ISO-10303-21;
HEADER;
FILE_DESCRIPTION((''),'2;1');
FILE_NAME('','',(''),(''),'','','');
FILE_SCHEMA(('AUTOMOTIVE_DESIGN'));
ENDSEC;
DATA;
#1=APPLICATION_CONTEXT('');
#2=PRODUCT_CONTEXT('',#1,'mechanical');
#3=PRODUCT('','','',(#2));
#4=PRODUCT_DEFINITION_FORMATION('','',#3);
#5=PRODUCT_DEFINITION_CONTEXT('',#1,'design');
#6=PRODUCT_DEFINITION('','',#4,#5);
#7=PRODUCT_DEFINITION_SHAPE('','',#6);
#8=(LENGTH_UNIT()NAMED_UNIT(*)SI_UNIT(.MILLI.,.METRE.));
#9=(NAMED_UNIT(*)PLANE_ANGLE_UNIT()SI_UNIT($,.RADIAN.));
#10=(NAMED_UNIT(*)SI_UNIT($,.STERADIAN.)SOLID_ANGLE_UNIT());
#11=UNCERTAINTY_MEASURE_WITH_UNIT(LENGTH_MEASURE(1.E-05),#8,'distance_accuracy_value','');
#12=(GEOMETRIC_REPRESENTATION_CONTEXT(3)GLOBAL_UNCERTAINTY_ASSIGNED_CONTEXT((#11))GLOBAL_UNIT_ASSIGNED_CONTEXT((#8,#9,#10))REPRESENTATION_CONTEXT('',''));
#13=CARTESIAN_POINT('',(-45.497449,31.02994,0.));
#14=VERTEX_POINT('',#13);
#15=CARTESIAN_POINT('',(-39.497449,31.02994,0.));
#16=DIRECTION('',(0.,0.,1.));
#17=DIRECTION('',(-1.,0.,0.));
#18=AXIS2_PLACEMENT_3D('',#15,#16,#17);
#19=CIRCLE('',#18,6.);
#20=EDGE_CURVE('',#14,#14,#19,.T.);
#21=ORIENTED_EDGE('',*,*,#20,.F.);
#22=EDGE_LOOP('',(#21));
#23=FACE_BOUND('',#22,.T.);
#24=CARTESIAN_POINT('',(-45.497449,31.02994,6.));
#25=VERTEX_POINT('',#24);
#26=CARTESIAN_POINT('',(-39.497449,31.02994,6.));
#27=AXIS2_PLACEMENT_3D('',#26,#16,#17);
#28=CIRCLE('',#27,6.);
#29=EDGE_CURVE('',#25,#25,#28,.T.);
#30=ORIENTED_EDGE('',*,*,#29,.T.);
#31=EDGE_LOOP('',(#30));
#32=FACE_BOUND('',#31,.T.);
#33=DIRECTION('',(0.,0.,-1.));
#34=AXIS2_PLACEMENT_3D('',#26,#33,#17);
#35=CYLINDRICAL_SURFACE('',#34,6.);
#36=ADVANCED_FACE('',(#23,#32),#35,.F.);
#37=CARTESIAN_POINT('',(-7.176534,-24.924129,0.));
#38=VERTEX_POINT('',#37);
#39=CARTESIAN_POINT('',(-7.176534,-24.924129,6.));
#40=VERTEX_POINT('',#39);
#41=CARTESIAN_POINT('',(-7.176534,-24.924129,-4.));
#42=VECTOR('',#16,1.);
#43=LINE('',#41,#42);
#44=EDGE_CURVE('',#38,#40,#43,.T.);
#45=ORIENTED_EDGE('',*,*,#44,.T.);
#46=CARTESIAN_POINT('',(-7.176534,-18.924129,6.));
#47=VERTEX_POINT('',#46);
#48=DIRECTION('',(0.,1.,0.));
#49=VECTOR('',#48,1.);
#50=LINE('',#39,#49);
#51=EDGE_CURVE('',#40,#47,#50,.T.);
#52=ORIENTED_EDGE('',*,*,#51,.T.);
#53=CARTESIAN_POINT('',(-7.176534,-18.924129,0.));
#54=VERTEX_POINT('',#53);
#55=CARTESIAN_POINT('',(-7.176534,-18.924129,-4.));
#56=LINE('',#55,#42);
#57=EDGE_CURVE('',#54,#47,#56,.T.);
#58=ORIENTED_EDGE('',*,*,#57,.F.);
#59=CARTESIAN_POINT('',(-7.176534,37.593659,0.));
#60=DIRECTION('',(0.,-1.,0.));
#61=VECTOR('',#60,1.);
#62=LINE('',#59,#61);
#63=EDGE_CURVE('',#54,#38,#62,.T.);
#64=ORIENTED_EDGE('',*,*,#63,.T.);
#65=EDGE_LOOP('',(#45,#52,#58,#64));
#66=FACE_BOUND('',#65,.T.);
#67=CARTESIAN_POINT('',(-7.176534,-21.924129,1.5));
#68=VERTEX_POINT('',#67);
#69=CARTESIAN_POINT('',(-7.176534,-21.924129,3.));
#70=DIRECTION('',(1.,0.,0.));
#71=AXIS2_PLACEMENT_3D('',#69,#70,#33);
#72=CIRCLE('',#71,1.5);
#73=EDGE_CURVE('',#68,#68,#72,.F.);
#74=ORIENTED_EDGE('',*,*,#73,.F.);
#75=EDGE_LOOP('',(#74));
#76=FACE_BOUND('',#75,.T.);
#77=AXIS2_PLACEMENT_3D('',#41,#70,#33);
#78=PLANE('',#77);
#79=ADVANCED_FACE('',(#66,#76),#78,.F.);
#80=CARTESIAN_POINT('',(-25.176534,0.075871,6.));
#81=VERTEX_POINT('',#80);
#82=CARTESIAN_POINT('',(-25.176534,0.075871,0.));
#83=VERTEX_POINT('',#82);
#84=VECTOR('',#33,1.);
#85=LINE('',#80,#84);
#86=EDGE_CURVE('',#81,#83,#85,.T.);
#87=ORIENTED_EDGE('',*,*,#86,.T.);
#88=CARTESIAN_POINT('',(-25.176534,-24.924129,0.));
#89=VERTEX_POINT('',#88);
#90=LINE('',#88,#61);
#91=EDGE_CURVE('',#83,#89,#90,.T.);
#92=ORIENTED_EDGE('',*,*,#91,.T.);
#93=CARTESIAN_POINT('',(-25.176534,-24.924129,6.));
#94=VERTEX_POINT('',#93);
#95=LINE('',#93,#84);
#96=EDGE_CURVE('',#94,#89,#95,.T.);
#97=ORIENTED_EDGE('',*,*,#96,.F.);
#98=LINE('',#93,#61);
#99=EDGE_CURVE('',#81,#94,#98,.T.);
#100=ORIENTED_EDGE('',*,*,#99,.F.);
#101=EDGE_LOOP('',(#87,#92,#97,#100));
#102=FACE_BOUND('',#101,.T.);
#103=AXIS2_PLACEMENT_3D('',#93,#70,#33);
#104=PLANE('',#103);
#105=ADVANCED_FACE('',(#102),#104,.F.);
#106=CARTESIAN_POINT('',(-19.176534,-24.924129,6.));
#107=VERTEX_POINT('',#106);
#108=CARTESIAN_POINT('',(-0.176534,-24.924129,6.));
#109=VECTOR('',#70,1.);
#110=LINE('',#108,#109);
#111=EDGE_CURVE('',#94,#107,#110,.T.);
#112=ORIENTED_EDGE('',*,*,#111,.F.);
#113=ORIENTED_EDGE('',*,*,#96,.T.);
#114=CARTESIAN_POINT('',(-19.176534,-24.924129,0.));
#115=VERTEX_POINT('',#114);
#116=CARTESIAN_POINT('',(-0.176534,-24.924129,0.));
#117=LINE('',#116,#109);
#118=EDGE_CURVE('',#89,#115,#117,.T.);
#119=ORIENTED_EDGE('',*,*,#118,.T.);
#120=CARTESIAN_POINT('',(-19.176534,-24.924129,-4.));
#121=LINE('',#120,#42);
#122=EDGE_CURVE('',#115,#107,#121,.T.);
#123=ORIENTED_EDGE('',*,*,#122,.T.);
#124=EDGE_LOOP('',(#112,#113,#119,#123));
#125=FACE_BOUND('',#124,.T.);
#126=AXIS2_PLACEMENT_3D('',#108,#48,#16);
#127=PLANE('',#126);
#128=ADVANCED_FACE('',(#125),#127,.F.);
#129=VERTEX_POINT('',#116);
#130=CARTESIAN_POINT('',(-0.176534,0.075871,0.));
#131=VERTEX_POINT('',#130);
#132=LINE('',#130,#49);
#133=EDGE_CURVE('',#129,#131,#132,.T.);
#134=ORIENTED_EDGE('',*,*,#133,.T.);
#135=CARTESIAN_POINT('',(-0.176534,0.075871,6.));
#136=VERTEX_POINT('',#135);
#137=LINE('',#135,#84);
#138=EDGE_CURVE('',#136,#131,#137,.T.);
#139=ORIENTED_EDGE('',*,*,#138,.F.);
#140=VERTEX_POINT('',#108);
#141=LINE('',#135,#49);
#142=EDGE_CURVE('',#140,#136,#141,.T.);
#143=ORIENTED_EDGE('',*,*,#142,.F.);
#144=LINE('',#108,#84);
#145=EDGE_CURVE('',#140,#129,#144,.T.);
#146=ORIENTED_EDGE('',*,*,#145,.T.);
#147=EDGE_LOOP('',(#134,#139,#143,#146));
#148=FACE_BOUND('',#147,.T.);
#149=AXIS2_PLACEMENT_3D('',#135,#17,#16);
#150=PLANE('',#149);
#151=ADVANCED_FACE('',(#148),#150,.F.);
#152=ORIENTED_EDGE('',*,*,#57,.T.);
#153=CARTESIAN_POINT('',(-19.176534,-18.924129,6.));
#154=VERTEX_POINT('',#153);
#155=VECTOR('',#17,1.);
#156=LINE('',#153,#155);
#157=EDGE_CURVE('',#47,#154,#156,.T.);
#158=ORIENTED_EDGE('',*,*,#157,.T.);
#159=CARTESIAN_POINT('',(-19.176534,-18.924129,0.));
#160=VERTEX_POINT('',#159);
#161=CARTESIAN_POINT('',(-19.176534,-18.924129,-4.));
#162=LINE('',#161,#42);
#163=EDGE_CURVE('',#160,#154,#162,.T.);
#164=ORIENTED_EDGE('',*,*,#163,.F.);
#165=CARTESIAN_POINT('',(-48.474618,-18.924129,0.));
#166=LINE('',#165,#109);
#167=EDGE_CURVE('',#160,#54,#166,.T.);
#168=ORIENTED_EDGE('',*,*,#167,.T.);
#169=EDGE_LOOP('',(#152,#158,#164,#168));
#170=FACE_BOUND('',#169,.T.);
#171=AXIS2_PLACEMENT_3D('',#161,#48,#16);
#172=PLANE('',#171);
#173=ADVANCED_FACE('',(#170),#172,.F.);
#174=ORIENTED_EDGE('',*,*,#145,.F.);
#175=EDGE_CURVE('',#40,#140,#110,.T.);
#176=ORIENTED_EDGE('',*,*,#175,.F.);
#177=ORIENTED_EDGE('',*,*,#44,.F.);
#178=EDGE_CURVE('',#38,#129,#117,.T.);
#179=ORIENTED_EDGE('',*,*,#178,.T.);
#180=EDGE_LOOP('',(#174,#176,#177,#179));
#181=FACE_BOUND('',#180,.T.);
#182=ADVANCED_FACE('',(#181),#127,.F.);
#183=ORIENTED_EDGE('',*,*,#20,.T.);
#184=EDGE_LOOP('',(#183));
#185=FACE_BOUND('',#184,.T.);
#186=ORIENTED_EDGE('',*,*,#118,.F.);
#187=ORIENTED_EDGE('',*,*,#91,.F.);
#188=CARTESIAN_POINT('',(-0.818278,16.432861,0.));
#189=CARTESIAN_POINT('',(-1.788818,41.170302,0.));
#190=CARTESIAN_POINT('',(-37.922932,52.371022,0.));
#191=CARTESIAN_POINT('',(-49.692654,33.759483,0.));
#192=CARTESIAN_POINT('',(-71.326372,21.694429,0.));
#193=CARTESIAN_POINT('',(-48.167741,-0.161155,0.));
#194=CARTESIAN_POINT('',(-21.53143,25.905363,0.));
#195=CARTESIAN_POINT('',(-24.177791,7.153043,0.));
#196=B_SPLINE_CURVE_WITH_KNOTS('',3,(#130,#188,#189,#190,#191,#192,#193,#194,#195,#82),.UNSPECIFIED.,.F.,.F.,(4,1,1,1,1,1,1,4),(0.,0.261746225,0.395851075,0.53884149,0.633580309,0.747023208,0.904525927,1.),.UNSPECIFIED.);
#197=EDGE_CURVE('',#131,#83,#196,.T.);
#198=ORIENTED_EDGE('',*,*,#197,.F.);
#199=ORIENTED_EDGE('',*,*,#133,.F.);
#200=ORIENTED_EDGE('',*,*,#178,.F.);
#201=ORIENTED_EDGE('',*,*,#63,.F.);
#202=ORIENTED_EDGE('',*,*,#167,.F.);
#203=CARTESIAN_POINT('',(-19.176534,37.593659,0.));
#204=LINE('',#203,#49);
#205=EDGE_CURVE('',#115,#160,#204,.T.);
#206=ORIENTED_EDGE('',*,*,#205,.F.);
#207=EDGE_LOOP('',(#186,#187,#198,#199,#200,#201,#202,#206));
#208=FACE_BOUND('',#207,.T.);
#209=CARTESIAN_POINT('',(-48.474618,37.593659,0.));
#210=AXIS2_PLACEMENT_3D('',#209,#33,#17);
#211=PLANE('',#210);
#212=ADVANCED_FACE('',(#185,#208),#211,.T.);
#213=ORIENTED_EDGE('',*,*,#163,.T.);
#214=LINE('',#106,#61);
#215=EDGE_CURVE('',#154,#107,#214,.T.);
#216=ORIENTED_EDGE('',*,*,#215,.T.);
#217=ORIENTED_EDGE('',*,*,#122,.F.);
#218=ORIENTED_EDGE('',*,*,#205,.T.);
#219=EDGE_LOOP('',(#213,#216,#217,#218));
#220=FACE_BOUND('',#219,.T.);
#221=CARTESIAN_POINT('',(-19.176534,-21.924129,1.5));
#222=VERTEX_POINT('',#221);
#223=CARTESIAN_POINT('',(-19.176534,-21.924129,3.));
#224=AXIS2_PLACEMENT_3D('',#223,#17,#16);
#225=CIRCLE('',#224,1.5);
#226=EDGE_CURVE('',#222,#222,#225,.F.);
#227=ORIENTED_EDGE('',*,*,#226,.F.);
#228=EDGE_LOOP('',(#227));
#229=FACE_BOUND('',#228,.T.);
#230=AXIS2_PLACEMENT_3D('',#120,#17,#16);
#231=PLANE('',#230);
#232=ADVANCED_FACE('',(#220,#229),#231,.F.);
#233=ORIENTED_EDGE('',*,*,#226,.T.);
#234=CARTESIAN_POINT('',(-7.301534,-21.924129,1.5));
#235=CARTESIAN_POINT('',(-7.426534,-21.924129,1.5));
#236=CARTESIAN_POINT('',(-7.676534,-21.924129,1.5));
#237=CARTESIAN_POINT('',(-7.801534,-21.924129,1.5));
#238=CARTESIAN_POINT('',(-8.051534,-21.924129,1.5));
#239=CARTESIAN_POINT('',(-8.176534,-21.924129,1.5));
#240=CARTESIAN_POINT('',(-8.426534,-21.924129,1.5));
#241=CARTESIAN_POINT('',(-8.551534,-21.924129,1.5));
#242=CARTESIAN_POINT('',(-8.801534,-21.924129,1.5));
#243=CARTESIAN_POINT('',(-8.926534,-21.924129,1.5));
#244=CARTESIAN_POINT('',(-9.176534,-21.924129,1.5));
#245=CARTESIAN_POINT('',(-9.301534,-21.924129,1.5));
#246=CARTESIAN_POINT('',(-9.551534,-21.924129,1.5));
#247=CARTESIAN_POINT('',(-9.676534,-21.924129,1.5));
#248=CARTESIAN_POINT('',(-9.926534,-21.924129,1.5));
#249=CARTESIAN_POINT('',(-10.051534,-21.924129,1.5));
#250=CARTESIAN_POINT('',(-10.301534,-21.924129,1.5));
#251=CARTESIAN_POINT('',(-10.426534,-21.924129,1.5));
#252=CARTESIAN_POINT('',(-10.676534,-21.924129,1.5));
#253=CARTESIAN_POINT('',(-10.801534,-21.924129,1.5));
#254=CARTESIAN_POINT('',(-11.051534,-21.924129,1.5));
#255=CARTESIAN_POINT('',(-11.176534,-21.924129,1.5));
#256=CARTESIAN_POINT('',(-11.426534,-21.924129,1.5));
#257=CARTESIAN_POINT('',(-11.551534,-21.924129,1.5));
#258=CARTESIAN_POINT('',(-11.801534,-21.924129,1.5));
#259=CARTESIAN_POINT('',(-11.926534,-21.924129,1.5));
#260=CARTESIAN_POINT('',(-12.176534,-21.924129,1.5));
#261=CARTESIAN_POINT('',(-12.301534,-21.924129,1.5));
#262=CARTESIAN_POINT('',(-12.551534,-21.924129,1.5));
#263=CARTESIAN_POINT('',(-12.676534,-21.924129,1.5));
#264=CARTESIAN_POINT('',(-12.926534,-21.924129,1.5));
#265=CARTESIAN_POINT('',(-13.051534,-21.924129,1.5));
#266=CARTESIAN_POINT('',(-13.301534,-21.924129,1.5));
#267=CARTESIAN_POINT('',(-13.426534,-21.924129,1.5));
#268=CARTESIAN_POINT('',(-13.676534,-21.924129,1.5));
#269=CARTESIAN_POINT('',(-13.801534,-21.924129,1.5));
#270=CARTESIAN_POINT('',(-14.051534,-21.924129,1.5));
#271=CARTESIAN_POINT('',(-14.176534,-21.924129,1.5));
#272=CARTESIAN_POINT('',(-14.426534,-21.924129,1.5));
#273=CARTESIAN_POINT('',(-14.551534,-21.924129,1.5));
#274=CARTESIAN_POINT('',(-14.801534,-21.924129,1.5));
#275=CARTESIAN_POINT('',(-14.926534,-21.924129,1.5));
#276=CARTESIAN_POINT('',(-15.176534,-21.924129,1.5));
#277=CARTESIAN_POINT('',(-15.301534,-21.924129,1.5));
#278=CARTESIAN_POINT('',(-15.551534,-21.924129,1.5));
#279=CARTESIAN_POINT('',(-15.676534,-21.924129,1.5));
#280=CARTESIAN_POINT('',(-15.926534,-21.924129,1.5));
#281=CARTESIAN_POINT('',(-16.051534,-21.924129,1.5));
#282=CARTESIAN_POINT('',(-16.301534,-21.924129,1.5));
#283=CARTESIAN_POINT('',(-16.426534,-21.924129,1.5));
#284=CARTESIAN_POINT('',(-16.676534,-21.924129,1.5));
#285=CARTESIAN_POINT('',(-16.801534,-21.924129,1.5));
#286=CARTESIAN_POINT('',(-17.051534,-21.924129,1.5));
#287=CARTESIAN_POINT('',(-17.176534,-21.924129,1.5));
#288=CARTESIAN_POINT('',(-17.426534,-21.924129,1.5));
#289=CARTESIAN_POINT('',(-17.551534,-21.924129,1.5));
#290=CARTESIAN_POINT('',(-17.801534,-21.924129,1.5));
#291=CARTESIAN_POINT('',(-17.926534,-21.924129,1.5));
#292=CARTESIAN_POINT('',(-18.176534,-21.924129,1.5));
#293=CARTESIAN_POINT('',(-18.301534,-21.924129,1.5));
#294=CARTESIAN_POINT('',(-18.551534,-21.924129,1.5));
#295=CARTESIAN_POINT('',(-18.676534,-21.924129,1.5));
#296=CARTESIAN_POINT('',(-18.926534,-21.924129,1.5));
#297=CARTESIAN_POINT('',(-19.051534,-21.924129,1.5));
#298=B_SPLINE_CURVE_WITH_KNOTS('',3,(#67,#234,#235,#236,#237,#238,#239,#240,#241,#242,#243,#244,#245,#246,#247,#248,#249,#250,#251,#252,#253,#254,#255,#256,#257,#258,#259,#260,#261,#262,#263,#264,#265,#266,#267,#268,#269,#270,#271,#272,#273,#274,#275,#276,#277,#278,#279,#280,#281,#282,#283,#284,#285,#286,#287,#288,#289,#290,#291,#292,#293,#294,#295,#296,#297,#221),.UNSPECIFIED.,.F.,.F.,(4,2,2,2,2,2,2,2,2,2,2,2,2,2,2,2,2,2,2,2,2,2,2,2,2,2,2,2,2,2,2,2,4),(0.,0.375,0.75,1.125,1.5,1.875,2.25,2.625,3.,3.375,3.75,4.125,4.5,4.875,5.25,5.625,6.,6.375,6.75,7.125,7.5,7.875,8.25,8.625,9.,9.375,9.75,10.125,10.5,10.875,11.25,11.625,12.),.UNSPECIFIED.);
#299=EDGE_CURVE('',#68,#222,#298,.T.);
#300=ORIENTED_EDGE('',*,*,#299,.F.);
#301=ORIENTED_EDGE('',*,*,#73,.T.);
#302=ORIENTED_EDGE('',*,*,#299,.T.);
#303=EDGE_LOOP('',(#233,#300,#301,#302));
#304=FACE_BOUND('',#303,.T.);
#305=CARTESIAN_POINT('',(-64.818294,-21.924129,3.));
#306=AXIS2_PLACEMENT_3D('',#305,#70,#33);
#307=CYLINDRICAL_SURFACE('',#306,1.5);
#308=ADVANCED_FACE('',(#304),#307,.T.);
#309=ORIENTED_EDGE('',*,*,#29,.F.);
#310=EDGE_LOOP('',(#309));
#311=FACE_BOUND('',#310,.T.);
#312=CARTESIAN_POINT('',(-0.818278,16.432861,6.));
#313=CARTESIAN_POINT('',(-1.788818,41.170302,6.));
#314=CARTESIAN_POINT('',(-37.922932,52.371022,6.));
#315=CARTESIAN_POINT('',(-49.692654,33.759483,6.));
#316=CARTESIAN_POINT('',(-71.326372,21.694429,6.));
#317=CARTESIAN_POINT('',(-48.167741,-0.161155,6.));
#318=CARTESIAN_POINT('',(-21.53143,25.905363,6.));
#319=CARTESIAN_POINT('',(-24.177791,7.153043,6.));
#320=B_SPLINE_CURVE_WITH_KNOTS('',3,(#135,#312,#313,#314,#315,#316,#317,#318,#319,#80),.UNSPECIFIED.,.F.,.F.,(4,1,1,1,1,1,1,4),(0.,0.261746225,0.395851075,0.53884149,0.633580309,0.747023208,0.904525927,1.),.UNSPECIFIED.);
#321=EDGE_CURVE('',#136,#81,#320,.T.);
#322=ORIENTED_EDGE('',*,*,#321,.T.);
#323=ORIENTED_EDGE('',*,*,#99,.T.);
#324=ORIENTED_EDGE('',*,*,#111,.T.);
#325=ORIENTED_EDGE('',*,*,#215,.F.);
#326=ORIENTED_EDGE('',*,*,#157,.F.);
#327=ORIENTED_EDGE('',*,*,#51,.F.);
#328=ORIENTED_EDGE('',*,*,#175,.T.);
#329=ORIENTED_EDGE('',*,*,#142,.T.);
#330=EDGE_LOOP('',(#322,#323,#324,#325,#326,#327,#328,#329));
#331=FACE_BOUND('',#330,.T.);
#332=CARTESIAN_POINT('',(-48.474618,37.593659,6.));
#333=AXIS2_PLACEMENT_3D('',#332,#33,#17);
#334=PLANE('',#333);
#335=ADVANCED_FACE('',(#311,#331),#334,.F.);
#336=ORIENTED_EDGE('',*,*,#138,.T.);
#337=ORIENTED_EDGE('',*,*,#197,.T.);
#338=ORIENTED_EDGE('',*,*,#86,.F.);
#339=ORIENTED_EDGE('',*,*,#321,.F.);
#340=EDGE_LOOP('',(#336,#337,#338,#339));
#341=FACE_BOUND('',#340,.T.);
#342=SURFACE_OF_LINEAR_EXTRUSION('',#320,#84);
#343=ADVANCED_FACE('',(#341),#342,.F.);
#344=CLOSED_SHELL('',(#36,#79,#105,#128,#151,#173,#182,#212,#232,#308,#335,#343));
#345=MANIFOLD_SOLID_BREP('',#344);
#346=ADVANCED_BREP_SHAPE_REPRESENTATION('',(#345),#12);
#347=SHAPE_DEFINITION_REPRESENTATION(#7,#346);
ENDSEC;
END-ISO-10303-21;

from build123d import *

# Parameters (mm, degrees)
CROQUIS1_R              = 6
SALIENTE_EXTRUIR1_DEPTH = 6
CROQUIS2_W              = 12
CROQUIS2_H              = 6
CORTAR_EXTRUIR1_DEPTH   = 10
SALIENTE_EXTRUIR2_REACH = 77.342
CROQUIS3_R              = 1.5


with BuildPart() as part:
    # Croquis1 → Saliente-Extruir1 (new body)
    with BuildSketch(Plane.XY):
        with BuildLine():
            Line((-25.176533916, -24.924128553), (-25.176533916, 0.075871447))
            add(Edge.make_bspline(
                [(-25.176533916, 0.075871447), (-24.177790677, 7.153043467), (-21.531429687, 25.905362586), (-48.167741219, -0.161154952), (-71.326371797, 21.694429053), (-49.692653611, 33.759482733), (-37.922931782, 52.371022295), (-1.788817545, 41.17030193), (-0.818277965, 16.432860822), (-0.176533916, 0.075871447)],
                knots=[0, 0, 0, 0, 0.095474073, 0.252976792, 0.366419691, 0.46115851, 0.604148925, 0.738253775, 1, 1, 1, 1], degree=3))
            Line((-0.176533916, 0.075871447), (-0.176533916, -24.924128553))
            Line((-0.176533916, -24.924128553), (-25.176533916, -24.924128553))
        make_face()
        with Locations(Location((-39.497448672, 31.029939944, 0), (0, 0, 180))):
            Circle(CROQUIS1_R, mode=Mode.SUBTRACT)
    extrude(amount=SALIENTE_EXTRUIR1_DEPTH)

    # Croquis2 → Cortar-Extruir1 (cut)
    with BuildSketch(Plane.XY.offset(6)):
        with Locations((-13.176533916, -21.924128553)):
            Rectangle(CROQUIS2_W, CROQUIS2_H)
    extrude(amount=-CORTAR_EXTRUIR1_DEPTH, mode=Mode.SUBTRACT)

    # Croquis3 → Saliente-Extruir2 (add, up to next)
    with BuildSketch(Plane.ZY.offset(7.176533916), mode=Mode.PRIVATE) as saliente_extruir2_sk1:
        with Locations(Location((3, -21.924128553, 0), (0, 0, 180))):
            Circle(CROQUIS3_R)
    saliente_extruir2_tool1 = extrude(saliente_extruir2_sk1.sketch, amount=SALIENTE_EXTRUIR2_REACH, mode=Mode.PRIVATE) - part.part
    add(saliente_extruir2_tool1.solids().sort_by_distance((-7.176534, -21.924129, 3))[0])


solid = part.part
